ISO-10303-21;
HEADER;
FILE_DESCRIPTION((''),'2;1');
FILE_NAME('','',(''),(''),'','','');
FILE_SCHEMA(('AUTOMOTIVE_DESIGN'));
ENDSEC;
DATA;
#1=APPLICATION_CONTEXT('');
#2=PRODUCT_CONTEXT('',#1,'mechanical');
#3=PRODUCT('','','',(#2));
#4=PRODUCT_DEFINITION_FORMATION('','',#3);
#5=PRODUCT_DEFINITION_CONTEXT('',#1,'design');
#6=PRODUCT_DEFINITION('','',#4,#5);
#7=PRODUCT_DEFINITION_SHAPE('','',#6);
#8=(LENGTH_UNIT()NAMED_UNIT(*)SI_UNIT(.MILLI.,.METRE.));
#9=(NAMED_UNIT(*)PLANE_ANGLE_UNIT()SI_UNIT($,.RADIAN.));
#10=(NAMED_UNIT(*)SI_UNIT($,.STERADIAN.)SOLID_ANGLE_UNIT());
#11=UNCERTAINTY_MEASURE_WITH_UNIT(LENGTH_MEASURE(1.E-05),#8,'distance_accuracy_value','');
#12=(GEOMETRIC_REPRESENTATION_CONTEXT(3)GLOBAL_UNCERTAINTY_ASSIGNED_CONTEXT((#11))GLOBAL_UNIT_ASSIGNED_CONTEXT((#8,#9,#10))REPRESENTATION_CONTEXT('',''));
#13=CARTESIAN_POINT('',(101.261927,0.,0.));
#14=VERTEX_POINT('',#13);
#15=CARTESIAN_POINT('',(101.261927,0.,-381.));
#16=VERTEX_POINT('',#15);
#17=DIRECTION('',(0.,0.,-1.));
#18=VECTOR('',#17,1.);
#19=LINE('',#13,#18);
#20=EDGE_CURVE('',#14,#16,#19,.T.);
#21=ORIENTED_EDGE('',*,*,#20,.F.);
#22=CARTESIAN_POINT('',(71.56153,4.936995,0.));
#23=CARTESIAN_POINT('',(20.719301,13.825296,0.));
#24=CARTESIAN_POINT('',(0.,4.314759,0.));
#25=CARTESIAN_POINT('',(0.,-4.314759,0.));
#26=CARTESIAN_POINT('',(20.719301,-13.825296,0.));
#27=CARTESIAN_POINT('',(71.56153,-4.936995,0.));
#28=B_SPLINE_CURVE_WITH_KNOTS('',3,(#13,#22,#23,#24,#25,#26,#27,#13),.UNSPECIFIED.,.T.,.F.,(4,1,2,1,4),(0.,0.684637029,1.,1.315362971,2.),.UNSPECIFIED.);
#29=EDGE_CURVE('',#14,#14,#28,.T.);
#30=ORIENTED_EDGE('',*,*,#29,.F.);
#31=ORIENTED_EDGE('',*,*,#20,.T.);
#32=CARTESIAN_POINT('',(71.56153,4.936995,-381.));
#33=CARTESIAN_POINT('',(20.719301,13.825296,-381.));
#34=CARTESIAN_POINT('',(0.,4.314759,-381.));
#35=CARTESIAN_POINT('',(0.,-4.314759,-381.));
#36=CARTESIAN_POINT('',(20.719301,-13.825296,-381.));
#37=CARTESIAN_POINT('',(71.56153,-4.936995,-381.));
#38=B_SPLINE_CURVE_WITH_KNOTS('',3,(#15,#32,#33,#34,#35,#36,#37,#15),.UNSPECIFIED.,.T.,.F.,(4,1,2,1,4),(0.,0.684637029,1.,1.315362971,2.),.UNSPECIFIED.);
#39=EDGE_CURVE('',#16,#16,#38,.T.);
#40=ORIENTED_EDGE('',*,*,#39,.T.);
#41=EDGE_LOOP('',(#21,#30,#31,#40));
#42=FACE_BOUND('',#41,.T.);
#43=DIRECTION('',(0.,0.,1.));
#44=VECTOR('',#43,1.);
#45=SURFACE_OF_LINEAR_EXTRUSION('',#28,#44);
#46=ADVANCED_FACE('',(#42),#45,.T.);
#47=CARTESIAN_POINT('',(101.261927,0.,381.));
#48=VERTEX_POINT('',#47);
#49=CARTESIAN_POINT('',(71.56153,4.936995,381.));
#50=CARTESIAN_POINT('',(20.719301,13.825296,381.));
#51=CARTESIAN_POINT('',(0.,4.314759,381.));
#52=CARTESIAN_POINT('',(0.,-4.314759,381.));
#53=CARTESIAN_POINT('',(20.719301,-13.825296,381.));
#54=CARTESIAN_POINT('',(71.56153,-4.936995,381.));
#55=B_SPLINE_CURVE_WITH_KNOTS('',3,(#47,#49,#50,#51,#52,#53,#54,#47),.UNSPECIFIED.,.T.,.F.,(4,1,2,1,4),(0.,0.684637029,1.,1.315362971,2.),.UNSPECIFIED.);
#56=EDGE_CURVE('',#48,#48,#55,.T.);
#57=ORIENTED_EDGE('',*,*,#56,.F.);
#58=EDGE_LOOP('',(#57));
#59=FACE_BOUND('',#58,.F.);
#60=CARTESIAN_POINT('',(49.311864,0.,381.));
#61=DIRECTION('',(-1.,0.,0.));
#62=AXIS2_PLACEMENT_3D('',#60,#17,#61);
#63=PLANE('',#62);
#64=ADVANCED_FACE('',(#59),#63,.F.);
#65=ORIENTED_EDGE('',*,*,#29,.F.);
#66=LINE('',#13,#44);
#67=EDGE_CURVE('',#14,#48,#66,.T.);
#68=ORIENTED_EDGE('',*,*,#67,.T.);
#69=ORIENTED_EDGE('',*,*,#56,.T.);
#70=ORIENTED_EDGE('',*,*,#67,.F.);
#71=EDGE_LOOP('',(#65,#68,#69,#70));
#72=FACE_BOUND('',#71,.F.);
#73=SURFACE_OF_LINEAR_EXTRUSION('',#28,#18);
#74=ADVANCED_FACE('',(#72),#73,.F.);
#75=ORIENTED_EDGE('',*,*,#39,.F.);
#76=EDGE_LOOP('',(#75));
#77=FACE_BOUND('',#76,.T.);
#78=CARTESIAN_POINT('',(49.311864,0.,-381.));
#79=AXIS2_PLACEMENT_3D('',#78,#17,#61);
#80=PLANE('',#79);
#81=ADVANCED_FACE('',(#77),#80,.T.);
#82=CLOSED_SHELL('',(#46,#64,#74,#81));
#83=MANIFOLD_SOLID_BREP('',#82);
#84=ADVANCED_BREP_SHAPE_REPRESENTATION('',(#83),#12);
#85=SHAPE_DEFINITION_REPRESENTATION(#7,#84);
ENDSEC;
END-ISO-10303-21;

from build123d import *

# Parameters (mm, degrees)
F1_DEPTH = 381


with BuildPart() as f1:
    # F0 (on Top) → F1 (new body, symmetric)
    with BuildSketch(Plane.XY):
        with BuildLine():
            add(Edge.make_bspline(
                [(0, 0), (0, 4.3147587058), (20.7193008789, 13.8252956372), (71.5615302324, 4.9369949847), (101.2619266109, 0)],
                knots=[0, 0, 0, 0, 0.3153629708, 1, 1, 1, 1], degree=3))
            add(Edge.make_bspline(
                [(0, 0), (0, -4.3147587058), (20.7193008789, -13.8252956372), (71.5615302324, -4.9369949847), (101.2619266109, 0)],
                knots=[0, 0, 0, 0, 0.3153629708, 1, 1, 1, 1], degree=3))
        make_face()
    extrude(amount=F1_DEPTH, both=True)


solid = f1.part
